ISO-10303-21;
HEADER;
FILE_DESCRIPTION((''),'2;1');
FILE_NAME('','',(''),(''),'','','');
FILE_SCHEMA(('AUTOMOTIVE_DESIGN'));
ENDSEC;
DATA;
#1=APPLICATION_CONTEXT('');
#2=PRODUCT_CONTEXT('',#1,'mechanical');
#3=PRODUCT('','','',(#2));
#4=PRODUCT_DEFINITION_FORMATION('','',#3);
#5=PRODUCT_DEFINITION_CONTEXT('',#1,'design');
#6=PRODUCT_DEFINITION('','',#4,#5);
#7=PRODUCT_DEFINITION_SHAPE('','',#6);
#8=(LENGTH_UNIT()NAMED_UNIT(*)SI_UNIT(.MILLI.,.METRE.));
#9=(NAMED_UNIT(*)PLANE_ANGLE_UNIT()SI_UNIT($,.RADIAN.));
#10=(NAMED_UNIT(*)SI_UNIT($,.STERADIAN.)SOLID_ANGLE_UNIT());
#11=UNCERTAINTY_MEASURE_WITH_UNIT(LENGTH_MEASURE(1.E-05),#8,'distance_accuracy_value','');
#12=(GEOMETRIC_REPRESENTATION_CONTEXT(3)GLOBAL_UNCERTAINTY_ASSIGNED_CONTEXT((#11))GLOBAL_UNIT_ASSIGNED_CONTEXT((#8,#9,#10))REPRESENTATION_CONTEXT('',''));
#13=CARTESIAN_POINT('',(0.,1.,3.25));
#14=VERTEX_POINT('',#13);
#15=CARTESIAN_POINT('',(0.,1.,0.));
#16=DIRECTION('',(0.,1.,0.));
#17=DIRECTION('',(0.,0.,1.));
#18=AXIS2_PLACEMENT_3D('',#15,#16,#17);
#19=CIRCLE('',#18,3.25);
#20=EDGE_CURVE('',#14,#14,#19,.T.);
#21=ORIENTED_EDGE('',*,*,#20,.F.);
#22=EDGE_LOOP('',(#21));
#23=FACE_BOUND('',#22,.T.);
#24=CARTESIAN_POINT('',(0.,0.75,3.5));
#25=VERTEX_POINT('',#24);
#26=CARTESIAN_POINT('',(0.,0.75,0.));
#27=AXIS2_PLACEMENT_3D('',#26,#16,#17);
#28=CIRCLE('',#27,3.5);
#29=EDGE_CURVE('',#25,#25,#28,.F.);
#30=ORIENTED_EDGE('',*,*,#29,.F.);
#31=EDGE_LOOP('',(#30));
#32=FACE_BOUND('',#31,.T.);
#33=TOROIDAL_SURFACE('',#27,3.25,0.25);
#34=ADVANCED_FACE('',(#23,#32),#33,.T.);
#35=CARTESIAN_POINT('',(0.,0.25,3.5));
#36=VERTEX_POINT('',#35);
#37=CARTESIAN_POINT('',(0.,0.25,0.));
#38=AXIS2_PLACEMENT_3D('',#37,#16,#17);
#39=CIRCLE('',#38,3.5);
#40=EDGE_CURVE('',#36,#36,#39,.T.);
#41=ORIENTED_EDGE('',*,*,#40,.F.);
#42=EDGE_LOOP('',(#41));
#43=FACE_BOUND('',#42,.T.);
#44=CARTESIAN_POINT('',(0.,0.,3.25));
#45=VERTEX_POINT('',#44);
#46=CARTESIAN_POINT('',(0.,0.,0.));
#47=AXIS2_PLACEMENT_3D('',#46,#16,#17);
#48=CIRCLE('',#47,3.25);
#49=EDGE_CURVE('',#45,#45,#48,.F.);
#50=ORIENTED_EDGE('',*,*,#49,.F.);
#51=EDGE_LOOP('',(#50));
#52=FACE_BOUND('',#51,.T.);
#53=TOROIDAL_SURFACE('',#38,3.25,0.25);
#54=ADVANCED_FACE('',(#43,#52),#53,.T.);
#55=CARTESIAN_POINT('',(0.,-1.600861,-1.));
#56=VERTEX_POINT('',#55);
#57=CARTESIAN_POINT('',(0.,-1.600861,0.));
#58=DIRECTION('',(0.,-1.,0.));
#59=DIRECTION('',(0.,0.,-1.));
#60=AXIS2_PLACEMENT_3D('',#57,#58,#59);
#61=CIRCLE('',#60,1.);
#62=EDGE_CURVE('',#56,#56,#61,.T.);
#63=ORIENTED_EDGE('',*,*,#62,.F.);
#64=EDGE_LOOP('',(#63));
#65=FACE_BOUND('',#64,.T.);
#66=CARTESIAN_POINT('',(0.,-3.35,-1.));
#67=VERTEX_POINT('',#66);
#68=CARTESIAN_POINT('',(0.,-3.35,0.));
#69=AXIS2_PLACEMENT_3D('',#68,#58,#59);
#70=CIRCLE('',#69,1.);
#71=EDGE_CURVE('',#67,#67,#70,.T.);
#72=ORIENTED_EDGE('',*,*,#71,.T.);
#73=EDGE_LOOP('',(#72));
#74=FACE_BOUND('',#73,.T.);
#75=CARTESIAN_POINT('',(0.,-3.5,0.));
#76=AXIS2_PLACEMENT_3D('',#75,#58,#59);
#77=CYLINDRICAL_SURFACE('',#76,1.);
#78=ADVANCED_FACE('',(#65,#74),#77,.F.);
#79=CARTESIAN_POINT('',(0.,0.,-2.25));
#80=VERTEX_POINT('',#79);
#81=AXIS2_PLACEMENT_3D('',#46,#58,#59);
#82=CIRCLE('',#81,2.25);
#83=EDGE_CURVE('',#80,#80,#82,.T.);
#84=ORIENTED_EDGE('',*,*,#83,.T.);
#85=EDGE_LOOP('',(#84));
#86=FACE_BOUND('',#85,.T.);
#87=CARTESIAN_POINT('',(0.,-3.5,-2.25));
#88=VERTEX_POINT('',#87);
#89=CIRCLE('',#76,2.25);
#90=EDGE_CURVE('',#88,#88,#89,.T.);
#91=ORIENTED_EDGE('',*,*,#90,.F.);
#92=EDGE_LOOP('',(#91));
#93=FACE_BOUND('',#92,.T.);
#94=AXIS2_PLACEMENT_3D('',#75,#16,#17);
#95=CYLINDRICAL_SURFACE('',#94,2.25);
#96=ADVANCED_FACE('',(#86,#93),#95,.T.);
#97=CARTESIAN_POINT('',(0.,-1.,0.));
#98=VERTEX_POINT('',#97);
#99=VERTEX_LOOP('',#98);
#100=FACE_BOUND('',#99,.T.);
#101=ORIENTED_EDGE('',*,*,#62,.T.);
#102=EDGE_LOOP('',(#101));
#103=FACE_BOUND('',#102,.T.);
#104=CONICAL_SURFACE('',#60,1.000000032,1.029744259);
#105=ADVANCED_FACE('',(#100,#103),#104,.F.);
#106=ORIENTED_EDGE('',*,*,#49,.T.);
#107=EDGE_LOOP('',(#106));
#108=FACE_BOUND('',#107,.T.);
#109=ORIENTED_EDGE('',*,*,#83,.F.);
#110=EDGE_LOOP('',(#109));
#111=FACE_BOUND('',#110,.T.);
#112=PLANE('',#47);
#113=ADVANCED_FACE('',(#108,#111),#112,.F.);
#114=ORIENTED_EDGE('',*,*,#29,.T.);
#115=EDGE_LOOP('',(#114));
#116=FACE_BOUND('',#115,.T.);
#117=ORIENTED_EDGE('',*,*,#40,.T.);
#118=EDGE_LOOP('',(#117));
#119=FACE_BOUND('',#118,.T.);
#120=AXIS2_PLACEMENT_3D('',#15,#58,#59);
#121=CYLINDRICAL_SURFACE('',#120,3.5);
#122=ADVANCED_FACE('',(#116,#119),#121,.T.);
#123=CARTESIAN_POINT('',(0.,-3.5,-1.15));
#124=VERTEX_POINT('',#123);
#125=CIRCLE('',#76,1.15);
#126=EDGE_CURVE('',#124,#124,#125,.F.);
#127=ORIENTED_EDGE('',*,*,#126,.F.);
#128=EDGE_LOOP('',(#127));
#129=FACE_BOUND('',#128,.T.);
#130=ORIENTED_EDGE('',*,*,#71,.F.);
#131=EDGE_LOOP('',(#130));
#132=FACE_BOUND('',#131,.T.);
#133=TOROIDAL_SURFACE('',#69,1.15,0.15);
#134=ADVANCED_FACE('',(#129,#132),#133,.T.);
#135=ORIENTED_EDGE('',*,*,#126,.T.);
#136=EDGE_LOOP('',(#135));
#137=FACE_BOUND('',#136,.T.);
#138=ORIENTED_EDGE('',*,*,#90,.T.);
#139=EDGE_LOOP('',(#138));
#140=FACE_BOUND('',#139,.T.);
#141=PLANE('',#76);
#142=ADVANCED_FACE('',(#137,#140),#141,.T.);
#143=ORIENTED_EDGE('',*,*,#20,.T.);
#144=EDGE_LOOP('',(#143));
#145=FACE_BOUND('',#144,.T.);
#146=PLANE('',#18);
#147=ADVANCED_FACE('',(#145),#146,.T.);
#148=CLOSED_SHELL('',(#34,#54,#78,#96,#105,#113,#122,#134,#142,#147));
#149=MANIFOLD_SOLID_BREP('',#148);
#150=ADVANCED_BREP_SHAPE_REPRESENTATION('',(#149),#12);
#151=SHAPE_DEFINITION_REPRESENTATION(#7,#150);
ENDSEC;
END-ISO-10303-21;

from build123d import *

# Parameters (mm, degrees)
SKETCH1_R                              = 3.5
BOSS_EXTRUDE1_DEPTH                    = 1
SKETCH3_R                              = 2.25
BOSS_EXTRUDE3_DEPTH                    = 3.5
FILLET1_R                              = 0.25
F_1_16_0_07874016_DIAMETER_HOLE1_D     = 2.000000064
F_1_16_0_07874016_DIAMETER_HOLE1_DEPTH = 1.899139362
F_1_16_0_07874016_DIAMETER_HOLE1_TIP   = 0.600860638
FILLET2_R                              = 0.15


with BuildPart() as part:
    # Sketch1 → Boss-Extrude1 (new body)
    with BuildSketch(Plane(origin=(0, 0, 0), x_dir=(1, 0, 0), z_dir=(0, 1, 0))):
        with Locations(Location((0, 0, 0), (0, 0, 270))):
            Circle(SKETCH1_R)
    extrude(amount=BOSS_EXTRUDE1_DEPTH)

    # Sketch3 → Boss-Extrude3 (add)
    with BuildSketch(Plane.XZ):
        with Locations(Location((0, 0, 0), (0, 0, 270))):
            Circle(SKETCH3_R)
    extrude(amount=BOSS_EXTRUDE3_DEPTH)

    # Fillet1
    fillet1_edges = [part.edges().sort_by_distance(p)[0] for p in [
        (0, 0, -3.5),
        (0, 1, -3.5),
    ]]
    fillet(fillet1_edges, radius=FILLET1_R)

    # 1/16 (0.07874016) Diameter Hole1
    with Locations(Plane(origin=(0, -3.5, 0), x_dir=(-1, 0, 0), z_dir=(0, -1, 0))):
        with Locations((0, 0)):
            Hole(F_1_16_0_07874016_DIAMETER_HOLE1_D / 2, depth=F_1_16_0_07874016_DIAMETER_HOLE1_DEPTH)
            with Locations((0, 0, -(F_1_16_0_07874016_DIAMETER_HOLE1_DEPTH + F_1_16_0_07874016_DIAMETER_HOLE1_TIP / 2))):  # 118° drill point
                Cone(0, F_1_16_0_07874016_DIAMETER_HOLE1_D / 2, F_1_16_0_07874016_DIAMETER_HOLE1_TIP, mode=Mode.SUBTRACT)

    # Fillet2
    fillet2_edges = [part.edges().sort_by_distance(p)[0] for p in [
        (-1.000000032, -3.5, 0),
    ]]
    fillet(fillet2_edges, radius=FILLET2_R)


solid = part.part
